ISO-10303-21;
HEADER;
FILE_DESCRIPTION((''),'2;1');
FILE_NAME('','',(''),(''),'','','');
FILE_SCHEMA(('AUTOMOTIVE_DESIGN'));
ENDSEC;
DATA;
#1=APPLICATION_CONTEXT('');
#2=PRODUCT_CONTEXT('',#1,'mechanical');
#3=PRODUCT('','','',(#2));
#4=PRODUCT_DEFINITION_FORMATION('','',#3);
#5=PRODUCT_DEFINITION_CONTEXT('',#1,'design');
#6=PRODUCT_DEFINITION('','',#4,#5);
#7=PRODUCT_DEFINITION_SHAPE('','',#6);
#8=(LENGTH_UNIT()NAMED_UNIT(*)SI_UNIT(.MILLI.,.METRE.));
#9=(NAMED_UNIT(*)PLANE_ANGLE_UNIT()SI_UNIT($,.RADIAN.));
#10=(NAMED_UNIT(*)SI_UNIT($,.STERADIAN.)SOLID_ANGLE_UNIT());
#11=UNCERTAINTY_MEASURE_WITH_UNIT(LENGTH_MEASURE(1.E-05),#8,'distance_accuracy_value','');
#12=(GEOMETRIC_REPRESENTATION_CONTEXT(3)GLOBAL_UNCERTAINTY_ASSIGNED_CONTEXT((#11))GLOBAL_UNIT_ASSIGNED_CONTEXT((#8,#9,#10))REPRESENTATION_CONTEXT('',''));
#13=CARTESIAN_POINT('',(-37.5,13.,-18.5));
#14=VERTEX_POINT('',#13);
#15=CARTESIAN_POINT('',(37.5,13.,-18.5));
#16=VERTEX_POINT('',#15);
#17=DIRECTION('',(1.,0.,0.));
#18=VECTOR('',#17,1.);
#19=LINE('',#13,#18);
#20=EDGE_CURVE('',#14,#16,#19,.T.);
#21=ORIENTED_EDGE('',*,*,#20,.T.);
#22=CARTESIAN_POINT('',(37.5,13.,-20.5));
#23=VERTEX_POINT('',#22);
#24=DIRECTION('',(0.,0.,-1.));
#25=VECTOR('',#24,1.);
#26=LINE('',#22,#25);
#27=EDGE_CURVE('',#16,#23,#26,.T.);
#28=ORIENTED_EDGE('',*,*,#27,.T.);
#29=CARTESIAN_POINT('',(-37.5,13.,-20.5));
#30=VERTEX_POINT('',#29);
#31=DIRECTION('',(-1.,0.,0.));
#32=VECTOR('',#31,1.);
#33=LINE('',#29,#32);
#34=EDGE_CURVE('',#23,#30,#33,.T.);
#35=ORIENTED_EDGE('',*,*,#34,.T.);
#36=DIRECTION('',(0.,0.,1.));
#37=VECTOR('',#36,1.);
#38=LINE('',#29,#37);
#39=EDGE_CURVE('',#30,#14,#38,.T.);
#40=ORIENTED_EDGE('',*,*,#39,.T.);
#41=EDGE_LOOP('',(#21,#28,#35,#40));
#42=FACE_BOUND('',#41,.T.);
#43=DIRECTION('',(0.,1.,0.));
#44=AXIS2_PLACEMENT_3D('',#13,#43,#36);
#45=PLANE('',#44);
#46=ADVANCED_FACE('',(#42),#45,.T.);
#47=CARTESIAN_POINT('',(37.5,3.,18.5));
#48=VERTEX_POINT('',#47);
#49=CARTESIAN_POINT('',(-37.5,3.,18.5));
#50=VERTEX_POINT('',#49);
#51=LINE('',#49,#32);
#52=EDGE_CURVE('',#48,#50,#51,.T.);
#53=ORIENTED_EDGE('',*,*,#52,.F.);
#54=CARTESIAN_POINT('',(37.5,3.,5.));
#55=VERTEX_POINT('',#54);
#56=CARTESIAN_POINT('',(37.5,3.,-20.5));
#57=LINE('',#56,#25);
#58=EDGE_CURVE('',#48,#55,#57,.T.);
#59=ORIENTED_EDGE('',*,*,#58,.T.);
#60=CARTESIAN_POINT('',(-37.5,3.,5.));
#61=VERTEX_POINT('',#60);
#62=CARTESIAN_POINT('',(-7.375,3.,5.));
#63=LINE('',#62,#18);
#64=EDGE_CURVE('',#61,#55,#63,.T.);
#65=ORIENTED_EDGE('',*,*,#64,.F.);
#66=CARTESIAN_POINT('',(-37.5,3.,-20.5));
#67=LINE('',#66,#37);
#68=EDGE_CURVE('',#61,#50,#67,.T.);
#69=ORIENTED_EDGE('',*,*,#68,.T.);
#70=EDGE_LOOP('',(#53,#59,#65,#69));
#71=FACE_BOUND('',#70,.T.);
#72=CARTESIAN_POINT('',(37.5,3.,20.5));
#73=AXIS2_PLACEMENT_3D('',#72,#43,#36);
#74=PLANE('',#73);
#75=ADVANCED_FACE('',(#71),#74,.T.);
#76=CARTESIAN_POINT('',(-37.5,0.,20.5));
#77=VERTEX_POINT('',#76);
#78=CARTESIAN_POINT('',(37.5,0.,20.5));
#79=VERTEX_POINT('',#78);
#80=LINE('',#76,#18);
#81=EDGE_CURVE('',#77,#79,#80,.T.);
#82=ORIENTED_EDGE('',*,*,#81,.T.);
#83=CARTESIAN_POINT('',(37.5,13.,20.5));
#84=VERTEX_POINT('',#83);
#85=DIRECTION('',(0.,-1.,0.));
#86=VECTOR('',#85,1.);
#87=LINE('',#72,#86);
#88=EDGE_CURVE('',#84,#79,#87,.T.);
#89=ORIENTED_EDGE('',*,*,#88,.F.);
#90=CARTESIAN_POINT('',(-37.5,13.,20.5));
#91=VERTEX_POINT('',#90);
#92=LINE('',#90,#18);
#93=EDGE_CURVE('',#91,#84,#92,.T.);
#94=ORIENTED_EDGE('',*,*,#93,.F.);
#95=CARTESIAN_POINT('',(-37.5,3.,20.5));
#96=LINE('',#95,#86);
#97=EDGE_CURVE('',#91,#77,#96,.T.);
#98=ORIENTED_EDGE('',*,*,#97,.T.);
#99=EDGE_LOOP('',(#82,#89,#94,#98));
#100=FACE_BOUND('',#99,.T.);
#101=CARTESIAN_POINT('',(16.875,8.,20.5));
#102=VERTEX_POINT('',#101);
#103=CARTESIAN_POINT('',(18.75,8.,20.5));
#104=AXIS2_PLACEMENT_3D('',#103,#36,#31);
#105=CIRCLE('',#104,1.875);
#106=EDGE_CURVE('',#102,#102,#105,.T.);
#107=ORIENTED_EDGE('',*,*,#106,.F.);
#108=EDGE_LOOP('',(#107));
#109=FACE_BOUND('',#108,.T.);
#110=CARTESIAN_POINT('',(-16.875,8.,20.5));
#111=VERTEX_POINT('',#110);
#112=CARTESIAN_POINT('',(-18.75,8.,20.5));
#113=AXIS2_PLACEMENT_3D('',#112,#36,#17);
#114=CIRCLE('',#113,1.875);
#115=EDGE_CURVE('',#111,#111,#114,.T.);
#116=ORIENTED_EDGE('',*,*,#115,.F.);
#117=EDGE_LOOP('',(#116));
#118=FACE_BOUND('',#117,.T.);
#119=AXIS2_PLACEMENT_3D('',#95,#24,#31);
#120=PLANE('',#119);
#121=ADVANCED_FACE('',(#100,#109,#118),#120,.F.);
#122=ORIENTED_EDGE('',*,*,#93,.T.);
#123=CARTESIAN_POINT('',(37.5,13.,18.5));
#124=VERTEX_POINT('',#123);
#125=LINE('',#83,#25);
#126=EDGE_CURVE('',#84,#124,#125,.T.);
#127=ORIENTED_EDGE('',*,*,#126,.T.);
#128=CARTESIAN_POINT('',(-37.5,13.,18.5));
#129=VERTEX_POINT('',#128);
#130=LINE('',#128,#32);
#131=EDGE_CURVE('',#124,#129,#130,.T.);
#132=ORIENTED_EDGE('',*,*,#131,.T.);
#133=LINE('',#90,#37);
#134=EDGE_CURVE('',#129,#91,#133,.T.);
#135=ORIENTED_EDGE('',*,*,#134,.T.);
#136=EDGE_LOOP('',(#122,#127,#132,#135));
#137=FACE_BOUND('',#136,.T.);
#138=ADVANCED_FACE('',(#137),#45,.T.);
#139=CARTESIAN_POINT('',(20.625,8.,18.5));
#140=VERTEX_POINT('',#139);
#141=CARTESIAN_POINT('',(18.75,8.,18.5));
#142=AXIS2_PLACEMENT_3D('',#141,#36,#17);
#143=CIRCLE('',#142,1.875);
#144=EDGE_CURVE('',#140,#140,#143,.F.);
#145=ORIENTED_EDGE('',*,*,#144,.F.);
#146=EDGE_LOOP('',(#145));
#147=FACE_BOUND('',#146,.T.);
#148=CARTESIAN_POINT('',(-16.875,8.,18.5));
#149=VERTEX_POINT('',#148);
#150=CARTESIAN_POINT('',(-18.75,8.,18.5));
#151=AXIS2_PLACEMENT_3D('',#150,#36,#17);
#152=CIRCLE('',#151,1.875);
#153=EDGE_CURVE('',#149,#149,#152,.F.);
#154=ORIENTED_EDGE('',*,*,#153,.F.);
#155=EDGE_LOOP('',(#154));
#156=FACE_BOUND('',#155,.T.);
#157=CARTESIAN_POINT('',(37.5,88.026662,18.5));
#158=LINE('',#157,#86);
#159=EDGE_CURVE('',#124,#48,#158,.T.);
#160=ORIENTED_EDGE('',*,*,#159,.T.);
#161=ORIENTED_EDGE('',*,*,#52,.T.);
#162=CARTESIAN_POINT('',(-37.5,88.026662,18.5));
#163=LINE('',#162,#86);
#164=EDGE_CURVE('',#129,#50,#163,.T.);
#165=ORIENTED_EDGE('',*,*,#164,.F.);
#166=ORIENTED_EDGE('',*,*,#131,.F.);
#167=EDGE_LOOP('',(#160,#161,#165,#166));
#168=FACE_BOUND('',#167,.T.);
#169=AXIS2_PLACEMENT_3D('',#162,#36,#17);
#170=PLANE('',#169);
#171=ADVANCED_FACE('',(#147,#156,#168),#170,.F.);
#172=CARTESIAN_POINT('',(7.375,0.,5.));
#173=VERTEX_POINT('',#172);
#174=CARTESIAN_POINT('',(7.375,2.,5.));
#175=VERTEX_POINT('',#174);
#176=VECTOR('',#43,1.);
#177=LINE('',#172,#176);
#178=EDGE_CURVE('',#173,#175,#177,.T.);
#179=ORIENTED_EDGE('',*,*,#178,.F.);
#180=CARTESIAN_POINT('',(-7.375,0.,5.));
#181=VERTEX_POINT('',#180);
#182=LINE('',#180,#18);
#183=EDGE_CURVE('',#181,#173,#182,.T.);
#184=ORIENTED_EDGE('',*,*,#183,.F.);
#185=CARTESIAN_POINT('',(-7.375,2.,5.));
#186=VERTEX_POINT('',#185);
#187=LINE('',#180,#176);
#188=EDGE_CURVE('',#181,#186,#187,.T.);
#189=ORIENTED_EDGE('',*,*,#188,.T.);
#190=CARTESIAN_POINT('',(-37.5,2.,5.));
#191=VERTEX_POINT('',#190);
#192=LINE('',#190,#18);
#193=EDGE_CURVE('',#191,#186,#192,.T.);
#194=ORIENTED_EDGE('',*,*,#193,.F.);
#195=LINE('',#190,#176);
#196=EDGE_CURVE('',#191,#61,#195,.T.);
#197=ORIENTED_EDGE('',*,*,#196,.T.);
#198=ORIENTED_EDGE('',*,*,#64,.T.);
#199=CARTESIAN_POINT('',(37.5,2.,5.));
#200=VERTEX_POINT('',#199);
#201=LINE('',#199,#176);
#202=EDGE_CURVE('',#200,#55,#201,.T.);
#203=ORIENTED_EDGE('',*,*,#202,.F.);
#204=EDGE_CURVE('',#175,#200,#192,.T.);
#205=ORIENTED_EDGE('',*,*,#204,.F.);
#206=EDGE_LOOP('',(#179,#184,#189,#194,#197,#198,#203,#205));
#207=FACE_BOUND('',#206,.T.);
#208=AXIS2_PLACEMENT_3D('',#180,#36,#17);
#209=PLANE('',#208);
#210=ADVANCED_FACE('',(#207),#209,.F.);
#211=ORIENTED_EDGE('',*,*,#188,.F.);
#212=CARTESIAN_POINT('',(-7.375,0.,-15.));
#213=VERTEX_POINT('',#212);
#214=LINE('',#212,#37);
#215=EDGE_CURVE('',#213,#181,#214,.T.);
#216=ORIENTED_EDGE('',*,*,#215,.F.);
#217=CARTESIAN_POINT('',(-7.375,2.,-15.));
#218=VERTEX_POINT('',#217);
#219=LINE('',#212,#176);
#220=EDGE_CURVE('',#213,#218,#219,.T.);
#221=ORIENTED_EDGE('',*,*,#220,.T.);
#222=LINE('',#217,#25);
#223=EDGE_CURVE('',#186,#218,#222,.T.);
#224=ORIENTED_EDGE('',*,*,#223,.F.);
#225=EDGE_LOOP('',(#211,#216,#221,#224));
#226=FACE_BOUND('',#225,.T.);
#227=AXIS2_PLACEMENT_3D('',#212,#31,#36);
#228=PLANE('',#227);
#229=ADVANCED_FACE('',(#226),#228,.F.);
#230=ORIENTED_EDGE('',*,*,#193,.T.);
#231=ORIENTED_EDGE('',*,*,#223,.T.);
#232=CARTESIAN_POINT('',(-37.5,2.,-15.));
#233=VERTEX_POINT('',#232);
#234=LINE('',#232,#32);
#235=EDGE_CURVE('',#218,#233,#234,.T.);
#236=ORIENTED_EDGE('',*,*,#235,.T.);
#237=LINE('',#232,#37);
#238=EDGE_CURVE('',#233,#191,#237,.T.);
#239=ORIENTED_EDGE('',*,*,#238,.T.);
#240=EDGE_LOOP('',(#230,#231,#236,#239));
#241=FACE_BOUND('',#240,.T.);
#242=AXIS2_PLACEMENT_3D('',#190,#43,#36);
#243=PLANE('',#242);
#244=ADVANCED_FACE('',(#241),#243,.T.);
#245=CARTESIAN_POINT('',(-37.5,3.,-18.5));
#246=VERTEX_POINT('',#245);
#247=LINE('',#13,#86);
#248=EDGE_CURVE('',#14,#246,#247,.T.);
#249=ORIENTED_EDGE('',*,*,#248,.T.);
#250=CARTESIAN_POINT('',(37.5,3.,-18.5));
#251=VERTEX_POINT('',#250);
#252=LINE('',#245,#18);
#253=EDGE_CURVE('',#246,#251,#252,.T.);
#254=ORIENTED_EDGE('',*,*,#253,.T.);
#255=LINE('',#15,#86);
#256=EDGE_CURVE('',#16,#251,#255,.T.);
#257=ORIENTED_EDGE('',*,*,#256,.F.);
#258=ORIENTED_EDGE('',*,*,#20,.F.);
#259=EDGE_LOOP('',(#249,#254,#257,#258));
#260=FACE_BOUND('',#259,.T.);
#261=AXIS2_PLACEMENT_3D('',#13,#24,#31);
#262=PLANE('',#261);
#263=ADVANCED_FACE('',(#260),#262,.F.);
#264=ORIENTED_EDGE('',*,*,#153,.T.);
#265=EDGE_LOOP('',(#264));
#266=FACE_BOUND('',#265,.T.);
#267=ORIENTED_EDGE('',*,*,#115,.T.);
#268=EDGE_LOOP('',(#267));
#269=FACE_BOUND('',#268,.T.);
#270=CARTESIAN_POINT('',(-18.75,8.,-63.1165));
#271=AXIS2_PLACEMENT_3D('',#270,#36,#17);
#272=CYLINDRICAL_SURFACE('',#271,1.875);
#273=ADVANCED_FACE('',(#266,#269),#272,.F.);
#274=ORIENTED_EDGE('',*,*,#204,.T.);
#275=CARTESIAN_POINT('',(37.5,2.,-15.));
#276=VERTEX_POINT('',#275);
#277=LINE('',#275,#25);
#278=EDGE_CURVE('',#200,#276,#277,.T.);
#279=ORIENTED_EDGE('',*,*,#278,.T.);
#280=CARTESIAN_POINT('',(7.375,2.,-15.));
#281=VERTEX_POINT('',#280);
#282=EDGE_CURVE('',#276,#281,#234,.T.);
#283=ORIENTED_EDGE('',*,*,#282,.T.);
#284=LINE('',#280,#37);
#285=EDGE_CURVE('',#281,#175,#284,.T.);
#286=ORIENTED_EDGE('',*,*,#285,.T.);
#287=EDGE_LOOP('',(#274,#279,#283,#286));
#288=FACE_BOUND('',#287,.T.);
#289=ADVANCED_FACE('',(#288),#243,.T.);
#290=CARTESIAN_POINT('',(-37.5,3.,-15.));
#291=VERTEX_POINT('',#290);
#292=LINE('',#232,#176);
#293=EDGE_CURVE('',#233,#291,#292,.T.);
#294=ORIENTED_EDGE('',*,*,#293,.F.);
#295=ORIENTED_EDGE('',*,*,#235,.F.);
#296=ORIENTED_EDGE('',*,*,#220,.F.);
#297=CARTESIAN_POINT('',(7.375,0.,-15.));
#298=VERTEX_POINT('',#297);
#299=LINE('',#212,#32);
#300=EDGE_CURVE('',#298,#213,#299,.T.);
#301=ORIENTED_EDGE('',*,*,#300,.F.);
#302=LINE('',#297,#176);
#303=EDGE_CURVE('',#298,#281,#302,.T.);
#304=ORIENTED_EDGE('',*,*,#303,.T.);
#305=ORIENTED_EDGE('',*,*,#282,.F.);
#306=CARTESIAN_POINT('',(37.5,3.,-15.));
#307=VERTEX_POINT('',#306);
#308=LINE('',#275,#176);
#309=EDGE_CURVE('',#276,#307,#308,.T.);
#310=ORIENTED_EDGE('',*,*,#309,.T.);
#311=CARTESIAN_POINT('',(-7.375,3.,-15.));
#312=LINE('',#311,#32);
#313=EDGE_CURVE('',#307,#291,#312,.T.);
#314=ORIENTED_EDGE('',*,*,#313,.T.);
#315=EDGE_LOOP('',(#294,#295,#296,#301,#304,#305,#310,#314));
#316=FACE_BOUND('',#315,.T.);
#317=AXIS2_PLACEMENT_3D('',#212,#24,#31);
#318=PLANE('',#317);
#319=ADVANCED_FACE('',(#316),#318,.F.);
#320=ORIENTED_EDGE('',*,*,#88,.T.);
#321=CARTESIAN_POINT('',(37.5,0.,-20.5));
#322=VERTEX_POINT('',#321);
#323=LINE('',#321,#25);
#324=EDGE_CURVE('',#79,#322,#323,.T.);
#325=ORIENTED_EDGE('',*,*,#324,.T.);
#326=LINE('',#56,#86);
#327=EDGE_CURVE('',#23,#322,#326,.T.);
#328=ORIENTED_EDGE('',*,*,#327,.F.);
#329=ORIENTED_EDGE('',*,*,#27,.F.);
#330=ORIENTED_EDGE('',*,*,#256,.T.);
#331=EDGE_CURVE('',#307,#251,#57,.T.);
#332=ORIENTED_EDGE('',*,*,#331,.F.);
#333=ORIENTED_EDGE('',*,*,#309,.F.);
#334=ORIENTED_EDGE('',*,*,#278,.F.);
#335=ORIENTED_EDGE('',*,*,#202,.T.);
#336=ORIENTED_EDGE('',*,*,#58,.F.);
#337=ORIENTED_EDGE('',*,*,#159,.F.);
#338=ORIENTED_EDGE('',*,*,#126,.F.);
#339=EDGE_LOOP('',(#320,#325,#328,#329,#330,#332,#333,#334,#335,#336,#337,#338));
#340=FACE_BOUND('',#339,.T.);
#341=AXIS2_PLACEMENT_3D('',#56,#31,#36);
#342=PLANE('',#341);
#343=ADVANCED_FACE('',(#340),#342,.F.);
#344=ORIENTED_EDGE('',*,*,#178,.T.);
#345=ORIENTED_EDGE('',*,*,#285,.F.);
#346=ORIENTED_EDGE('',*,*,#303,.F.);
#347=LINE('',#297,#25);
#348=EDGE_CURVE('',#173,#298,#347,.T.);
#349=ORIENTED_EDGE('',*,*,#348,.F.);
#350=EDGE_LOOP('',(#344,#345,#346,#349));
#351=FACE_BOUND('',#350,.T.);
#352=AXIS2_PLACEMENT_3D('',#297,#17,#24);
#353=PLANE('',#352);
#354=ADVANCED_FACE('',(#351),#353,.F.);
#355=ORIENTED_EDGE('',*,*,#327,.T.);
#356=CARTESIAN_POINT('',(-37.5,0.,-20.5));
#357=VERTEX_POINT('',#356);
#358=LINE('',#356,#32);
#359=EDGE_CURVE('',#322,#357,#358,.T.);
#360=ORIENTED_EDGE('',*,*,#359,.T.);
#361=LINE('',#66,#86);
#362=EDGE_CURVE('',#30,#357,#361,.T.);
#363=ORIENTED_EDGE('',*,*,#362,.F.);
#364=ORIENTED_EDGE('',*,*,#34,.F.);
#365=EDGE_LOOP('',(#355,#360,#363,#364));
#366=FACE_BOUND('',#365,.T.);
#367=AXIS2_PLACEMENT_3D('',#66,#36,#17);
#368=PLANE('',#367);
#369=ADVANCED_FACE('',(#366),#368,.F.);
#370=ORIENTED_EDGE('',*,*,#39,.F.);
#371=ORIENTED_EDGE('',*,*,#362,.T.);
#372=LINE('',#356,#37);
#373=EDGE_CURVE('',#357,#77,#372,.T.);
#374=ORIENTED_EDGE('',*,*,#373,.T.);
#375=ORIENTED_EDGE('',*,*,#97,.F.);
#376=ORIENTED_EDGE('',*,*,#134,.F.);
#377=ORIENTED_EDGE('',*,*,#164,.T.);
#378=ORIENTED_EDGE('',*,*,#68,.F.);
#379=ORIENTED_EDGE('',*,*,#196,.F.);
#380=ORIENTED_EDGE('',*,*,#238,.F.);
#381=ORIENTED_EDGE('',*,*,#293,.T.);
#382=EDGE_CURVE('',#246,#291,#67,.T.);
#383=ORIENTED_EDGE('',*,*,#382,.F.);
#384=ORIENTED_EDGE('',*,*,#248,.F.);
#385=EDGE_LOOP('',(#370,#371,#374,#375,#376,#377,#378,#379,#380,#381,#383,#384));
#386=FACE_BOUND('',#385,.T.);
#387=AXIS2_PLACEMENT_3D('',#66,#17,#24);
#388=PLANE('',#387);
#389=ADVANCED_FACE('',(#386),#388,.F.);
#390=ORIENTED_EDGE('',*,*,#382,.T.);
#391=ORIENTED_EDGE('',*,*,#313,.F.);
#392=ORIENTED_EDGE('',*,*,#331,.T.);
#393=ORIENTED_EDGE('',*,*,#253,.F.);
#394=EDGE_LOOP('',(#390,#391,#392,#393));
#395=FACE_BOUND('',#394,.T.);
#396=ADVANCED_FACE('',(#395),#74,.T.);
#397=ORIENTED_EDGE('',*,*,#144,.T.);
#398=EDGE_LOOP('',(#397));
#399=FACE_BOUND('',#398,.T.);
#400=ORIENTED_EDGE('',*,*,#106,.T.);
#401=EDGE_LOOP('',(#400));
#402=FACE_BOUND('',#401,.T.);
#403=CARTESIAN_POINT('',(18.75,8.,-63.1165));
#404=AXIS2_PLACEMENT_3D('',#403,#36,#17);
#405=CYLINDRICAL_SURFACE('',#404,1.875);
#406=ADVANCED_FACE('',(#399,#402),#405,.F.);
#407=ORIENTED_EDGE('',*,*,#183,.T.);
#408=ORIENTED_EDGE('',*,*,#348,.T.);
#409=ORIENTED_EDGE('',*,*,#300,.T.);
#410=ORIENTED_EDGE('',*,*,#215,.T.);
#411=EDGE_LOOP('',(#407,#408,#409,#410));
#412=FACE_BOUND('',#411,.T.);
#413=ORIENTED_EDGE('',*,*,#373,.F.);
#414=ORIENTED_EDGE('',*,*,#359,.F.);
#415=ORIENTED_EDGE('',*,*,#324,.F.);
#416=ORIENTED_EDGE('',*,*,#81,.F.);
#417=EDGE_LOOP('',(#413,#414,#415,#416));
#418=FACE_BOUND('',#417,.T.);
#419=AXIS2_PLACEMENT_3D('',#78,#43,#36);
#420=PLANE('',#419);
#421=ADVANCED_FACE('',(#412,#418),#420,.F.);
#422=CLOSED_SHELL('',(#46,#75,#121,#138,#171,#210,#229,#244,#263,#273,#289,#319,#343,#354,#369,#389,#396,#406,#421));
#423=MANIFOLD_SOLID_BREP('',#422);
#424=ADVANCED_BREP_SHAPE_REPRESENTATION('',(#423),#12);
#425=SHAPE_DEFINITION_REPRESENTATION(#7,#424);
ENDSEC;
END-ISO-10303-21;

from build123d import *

# Parameters (mm, degrees)
SKETCH1_W           = 75
SKETCH1_H           = 41
BOSS_EXTRUDE1_DEPTH = 3
SKETCH2_W           = 75
SKETCH2_H           = 2
BOSS_EXTRUDE2_DEPTH = 10
SKETCH3_W           = 75
SKETCH3_H           = 2
BOSS_EXTRUDE3_DEPTH = 10
SKETCH4_OUTSIDE_W   = 94.292
SKETCH4_OUTSIDE_H   = 32.292
SKETCH4_OUTSIDE_W_2 = 79
SKETCH4_OUTSIDE_H_2 = 17
SKETCH4_OUTSIDE_R   = 1.875
CUT_EXTRUDE2_DEPTH  = 2
SKETCH6_W           = 14.75
SKETCH6_H           = 20
CUT_EXTRUDE3_DEPTH  = 44.891912695
SKETCH7_W           = 75
SKETCH7_H           = 20
CUT_EXTRUDE4_DEPTH  = 1


with BuildPart() as part:
    # Sketch1 → Boss-Extrude1 (new body)
    with BuildSketch(Plane(origin=(0, 0, 0), x_dir=(1, 0, 0), z_dir=(0, 1, 0))):
        Rectangle(SKETCH1_W, SKETCH1_H)
    extrude(amount=BOSS_EXTRUDE1_DEPTH)

    # Sketch2 → Boss-Extrude2 (add)
    with BuildSketch(Plane(origin=(0, 3, 0), x_dir=(1, 0, 0), z_dir=(0, 1, 0))):
        with Locations((0, 19.5)):
            Rectangle(SKETCH2_W, SKETCH2_H)
    extrude(amount=BOSS_EXTRUDE2_DEPTH)

    # Sketch3 → Boss-Extrude3 (add)
    with BuildSketch(Plane(origin=(0, 3, 0), x_dir=(1, 0, 0), z_dir=(0, 1, 0))):
        with Locations((0, -19.5)):
            Rectangle(SKETCH3_W, SKETCH3_H)
    extrude(amount=BOSS_EXTRUDE3_DEPTH)

    # Sketch4 outside → Cut-Extrude2 (cut)
    # profile 1 of 3: a face of its own
    with BuildSketch(Plane.XY.offset(20.5)):
        with Locations((0, 6.5)):
            Rectangle(SKETCH4_OUTSIDE_W, SKETCH4_OUTSIDE_H)
        with Locations((0, 6.5)):
            Rectangle(SKETCH4_OUTSIDE_W_2, SKETCH4_OUTSIDE_H_2, mode=Mode.SUBTRACT)
    # profile 2 of 3: a face of its own
    with BuildSketch(Plane.XY.offset(20.5)):
        with Locations((18.75, 8)):
            Circle(SKETCH4_OUTSIDE_R)
    # profile 3 of 3: a face of its own
    with BuildSketch(Plane.XY.offset(20.5)):
        with Locations((-18.75, 8)):
            Circle(SKETCH4_OUTSIDE_R)
    extrude(amount=-CUT_EXTRUDE2_DEPTH, mode=Mode.SUBTRACT)

    # Sketch6 → Cut-Extrude3 (cut, through all)
    with BuildSketch(Plane(origin=(0, 3, 0), x_dir=(1, 0, 0), z_dir=(0, 1, 0))):
        with Locations((0, 5)):
            Rectangle(SKETCH6_W, SKETCH6_H)
    extrude(amount=-CUT_EXTRUDE3_DEPTH, mode=Mode.SUBTRACT)

    # Sketch7 → Cut-Extrude4 (cut)
    with BuildSketch(Plane(origin=(0, 3, 0), x_dir=(1, 0, 0), z_dir=(0, 1, 0))):
        with Locations((0, 5)):
            Rectangle(SKETCH7_W, SKETCH7_H)
    extrude(amount=-CUT_EXTRUDE4_DEPTH, mode=Mode.SUBTRACT)


solid = part.part
